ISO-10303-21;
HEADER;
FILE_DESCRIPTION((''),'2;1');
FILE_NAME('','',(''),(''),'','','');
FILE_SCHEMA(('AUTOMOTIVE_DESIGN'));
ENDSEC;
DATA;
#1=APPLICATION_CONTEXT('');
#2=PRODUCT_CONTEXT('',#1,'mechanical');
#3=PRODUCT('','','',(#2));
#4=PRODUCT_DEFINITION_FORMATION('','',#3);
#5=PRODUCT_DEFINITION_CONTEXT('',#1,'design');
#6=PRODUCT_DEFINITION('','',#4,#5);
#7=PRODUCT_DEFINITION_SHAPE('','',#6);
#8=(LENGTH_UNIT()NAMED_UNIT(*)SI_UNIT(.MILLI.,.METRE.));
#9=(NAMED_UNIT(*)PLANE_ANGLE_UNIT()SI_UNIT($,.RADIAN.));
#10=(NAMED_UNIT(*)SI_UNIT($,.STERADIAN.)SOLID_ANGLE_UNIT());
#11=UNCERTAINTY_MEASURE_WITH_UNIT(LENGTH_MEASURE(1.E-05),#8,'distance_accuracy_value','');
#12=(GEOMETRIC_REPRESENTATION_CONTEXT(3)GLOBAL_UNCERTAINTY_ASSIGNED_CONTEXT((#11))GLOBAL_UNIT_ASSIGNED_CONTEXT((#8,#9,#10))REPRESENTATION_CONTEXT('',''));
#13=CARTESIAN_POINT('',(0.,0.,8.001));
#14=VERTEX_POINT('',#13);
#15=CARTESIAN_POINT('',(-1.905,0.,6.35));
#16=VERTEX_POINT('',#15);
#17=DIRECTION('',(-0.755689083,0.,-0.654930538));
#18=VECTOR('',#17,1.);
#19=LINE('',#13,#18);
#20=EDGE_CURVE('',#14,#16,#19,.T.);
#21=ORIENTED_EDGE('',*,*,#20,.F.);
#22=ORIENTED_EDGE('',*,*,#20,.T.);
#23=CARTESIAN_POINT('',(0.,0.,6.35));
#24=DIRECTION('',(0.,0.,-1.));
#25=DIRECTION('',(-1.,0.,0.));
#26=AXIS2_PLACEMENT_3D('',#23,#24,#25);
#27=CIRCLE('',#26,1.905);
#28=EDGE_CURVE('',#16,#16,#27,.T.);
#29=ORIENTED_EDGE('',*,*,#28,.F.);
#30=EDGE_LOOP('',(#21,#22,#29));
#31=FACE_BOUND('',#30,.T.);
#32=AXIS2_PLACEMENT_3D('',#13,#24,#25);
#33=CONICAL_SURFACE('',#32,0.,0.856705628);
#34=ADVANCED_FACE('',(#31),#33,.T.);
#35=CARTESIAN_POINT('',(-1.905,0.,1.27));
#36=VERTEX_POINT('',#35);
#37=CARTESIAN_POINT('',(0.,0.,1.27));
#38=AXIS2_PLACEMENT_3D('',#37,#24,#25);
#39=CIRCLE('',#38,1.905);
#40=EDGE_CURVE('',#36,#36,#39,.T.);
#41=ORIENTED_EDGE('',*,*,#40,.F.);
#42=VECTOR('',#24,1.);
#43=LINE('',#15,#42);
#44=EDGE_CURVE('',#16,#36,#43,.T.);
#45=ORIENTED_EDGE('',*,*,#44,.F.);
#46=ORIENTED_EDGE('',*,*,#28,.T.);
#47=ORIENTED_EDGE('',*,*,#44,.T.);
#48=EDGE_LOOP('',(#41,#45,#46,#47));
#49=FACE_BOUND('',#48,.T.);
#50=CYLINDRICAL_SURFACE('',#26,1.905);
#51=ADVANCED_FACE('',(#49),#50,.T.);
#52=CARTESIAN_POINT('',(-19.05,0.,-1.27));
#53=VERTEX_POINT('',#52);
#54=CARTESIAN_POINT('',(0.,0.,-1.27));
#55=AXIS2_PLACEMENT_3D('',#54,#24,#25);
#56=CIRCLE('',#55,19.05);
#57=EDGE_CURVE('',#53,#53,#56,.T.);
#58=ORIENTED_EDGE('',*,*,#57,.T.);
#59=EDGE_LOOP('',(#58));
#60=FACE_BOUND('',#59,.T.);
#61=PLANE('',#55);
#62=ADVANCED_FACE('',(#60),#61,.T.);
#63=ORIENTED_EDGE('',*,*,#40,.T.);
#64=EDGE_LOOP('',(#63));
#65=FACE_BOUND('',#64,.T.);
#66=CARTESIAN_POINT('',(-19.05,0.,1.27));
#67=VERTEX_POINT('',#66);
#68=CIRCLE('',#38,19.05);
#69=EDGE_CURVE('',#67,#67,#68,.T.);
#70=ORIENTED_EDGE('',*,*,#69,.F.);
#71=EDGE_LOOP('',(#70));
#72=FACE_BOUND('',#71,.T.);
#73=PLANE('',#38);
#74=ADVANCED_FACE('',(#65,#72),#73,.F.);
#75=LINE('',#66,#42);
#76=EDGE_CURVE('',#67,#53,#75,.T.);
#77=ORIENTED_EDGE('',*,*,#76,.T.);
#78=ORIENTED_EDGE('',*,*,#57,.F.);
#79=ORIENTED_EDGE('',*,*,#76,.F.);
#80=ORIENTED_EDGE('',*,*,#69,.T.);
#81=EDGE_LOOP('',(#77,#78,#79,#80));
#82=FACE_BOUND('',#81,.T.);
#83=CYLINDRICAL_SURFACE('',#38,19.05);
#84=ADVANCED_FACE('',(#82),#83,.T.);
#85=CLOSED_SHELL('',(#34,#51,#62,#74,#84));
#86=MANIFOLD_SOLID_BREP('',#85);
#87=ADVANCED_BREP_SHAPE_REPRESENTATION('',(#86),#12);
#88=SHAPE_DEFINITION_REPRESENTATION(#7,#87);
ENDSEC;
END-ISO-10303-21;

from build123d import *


with BuildPart() as f1:
    # F0 (on Front) → F1 (revolve)
    with BuildSketch(Plane.XZ):
        Polygon((-1.905, 6.35), (-1.905, 1.27), (0, 1.27), (0, 8.001), align=None)
        Polygon((-1.905, 1.27), (-19.05, 1.27), (-19.05, -1.27), (0, -1.27), (0, 1.27), align=None)
    revolve(axis=Axis((0, 0, 0.954743), (0, 0, -1)))


solid = f1.part
